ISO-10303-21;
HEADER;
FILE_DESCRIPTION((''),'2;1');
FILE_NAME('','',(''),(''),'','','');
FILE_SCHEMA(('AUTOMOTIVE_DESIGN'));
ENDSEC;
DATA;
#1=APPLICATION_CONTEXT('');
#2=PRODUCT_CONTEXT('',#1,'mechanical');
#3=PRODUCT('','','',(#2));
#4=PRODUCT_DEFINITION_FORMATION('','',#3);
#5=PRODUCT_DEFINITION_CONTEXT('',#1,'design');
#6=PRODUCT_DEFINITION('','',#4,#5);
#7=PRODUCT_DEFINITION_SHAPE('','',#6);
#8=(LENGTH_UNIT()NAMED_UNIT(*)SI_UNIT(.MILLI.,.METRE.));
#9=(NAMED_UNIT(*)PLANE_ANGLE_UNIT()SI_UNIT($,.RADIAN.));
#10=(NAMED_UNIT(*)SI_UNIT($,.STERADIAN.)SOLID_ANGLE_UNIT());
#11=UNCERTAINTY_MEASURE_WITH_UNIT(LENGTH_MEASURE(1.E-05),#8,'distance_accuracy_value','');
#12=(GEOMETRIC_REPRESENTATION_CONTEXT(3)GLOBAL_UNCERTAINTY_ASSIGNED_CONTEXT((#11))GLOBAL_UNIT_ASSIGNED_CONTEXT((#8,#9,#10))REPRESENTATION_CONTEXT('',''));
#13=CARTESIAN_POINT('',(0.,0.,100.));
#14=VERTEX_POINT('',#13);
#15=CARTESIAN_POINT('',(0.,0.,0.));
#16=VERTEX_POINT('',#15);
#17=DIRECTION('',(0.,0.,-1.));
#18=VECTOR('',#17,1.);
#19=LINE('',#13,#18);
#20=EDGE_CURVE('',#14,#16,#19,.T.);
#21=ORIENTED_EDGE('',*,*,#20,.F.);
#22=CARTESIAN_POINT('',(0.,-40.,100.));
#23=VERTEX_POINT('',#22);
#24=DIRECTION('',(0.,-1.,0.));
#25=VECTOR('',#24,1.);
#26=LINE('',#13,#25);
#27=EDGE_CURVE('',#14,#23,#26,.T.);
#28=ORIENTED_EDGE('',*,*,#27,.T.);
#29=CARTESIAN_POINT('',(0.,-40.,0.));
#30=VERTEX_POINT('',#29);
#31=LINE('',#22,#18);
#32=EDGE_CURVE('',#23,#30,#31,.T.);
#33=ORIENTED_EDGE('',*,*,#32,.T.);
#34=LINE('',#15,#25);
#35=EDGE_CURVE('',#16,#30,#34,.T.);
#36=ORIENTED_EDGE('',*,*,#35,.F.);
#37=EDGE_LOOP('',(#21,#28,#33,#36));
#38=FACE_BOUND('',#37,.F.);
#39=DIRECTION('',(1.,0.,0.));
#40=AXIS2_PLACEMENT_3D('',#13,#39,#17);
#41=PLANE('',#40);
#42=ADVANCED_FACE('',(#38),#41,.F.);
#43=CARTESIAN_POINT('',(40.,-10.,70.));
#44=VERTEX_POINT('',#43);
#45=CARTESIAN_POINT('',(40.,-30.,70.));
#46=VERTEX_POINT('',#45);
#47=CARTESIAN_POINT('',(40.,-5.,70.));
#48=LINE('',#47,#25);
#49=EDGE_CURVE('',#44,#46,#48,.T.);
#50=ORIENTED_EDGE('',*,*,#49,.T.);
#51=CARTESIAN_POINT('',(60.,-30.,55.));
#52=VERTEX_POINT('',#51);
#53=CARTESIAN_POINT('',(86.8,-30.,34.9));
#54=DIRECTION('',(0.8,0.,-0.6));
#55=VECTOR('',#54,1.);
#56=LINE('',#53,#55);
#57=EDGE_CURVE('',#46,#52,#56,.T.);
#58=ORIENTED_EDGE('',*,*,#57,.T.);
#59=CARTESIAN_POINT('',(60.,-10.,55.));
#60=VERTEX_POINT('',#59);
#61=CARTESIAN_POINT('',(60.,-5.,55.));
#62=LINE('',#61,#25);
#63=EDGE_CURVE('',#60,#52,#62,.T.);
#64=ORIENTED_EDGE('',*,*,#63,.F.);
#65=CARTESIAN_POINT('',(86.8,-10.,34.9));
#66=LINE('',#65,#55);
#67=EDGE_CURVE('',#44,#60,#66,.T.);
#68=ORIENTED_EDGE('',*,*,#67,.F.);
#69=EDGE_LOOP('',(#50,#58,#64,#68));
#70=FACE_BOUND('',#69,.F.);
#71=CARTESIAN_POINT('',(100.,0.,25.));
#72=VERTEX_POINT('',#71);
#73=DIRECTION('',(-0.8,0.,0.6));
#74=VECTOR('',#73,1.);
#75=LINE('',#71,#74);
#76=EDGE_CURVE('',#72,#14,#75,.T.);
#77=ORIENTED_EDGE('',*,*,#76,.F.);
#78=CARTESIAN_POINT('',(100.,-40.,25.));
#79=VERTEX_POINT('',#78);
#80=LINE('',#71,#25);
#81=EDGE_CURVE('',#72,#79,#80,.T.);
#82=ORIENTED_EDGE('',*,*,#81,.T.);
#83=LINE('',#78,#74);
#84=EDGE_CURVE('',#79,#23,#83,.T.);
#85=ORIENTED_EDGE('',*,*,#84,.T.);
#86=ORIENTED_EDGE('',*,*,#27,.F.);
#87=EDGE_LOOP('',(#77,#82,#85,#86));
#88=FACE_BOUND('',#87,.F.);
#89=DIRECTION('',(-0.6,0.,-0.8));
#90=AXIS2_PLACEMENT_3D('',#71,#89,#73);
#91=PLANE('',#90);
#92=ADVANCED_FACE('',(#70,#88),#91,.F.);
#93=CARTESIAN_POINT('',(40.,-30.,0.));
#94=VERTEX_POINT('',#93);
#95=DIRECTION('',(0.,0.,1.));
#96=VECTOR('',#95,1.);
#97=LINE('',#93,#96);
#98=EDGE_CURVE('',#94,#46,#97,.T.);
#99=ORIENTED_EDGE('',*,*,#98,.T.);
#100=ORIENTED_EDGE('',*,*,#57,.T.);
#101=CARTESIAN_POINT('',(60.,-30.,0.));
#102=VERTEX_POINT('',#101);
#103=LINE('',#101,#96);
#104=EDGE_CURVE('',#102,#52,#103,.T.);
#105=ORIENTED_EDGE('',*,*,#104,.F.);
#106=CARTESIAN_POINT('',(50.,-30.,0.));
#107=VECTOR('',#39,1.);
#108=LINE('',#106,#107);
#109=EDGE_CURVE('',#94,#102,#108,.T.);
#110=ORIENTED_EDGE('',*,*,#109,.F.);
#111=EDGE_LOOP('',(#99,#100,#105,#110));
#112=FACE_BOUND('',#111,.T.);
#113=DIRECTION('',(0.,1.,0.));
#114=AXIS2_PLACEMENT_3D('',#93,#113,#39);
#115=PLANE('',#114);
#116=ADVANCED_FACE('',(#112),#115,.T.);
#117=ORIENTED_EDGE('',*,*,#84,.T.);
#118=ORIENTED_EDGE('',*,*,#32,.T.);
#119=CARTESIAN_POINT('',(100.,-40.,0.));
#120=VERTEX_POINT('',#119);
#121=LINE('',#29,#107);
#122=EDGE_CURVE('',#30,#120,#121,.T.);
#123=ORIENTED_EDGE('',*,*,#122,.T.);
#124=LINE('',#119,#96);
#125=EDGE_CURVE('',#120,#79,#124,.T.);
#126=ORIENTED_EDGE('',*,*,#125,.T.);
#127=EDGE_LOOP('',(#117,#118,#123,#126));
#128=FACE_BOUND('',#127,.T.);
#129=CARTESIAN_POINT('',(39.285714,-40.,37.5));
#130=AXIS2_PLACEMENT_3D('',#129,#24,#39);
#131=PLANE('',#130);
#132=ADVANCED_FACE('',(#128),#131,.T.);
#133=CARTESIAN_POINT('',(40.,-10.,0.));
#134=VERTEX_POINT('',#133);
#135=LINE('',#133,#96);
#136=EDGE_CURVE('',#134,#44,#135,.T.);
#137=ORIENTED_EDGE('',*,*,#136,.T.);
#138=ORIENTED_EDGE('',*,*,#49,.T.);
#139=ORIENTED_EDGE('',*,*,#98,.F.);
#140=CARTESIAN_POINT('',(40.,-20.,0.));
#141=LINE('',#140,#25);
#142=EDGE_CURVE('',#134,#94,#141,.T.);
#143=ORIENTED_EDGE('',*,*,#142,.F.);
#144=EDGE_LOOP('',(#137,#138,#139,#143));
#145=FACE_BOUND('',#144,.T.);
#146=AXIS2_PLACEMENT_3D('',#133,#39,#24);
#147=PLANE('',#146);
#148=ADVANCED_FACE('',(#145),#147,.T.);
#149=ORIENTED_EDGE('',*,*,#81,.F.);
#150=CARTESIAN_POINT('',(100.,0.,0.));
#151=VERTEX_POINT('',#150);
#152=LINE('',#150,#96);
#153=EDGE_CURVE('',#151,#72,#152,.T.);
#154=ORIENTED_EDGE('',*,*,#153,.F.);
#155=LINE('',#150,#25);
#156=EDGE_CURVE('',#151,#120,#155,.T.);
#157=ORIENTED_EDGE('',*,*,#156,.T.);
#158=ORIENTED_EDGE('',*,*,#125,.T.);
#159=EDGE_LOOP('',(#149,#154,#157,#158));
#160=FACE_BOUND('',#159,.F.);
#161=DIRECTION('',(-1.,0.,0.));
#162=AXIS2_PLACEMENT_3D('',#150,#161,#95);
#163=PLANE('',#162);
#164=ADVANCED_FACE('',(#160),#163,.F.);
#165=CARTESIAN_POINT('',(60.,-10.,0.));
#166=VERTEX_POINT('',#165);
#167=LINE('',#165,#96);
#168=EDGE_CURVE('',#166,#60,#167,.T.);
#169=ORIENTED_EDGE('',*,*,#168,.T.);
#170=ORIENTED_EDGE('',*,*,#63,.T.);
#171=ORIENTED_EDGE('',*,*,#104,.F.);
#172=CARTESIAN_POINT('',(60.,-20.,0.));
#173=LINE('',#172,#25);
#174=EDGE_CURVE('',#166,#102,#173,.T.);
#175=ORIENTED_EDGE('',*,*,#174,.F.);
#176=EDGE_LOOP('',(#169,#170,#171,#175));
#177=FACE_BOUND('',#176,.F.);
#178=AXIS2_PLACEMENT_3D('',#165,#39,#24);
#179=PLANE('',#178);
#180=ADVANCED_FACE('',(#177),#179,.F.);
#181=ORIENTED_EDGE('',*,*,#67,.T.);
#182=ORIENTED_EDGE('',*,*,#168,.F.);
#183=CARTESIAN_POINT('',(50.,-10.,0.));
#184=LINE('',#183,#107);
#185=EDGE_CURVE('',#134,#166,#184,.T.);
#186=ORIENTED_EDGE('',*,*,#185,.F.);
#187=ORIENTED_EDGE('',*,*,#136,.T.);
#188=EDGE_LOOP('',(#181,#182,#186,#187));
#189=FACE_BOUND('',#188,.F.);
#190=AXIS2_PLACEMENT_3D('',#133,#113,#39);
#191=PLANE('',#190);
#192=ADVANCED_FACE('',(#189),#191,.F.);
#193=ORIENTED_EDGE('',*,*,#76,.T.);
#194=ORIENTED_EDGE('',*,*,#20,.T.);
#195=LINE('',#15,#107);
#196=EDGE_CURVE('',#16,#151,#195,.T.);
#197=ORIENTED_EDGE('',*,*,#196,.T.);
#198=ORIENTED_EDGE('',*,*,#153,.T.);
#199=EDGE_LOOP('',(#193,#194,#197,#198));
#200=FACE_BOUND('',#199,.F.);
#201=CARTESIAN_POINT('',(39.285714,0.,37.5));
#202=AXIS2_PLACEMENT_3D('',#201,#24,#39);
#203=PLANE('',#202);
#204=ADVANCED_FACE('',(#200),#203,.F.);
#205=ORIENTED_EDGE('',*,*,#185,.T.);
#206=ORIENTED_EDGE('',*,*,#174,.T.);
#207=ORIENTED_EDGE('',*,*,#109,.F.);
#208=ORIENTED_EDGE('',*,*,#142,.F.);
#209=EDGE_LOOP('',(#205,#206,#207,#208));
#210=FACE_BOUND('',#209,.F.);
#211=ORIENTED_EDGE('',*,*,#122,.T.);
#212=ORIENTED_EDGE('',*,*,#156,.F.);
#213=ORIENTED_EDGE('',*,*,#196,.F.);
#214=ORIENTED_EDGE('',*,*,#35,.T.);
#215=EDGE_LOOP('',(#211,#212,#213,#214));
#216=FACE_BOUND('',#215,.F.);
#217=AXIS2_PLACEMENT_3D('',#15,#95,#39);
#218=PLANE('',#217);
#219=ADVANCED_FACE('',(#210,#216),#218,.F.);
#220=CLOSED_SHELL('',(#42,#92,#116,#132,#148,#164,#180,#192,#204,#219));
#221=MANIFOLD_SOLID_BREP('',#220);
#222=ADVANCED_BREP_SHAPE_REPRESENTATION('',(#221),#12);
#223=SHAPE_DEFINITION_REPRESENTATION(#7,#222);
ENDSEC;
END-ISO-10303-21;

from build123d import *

# Parameters (mm, degrees)
F1_DEPTH = 40
F2_W     = 20
F2_H     = 20
F3_DEPTH = 100.001


with BuildPart() as f1:
    # F0 (on Front) → F1 (new body)
    with BuildSketch(Plane.XZ):
        Polygon((0, 100), (0, 0), (100, 0), (100, 25), align=None)
    extrude(amount=F1_DEPTH)

    # F2 (on face) → F3 (cut, through all)
    with BuildSketch(Plane(origin=(0, 0, 0), x_dir=(1, 0, 0), z_dir=(0, 0, -1))):
        with Locations((50, 20)):
            Rectangle(F2_W, F2_H)
    extrude(amount=-F3_DEPTH, mode=Mode.SUBTRACT)


solid = f1.part
